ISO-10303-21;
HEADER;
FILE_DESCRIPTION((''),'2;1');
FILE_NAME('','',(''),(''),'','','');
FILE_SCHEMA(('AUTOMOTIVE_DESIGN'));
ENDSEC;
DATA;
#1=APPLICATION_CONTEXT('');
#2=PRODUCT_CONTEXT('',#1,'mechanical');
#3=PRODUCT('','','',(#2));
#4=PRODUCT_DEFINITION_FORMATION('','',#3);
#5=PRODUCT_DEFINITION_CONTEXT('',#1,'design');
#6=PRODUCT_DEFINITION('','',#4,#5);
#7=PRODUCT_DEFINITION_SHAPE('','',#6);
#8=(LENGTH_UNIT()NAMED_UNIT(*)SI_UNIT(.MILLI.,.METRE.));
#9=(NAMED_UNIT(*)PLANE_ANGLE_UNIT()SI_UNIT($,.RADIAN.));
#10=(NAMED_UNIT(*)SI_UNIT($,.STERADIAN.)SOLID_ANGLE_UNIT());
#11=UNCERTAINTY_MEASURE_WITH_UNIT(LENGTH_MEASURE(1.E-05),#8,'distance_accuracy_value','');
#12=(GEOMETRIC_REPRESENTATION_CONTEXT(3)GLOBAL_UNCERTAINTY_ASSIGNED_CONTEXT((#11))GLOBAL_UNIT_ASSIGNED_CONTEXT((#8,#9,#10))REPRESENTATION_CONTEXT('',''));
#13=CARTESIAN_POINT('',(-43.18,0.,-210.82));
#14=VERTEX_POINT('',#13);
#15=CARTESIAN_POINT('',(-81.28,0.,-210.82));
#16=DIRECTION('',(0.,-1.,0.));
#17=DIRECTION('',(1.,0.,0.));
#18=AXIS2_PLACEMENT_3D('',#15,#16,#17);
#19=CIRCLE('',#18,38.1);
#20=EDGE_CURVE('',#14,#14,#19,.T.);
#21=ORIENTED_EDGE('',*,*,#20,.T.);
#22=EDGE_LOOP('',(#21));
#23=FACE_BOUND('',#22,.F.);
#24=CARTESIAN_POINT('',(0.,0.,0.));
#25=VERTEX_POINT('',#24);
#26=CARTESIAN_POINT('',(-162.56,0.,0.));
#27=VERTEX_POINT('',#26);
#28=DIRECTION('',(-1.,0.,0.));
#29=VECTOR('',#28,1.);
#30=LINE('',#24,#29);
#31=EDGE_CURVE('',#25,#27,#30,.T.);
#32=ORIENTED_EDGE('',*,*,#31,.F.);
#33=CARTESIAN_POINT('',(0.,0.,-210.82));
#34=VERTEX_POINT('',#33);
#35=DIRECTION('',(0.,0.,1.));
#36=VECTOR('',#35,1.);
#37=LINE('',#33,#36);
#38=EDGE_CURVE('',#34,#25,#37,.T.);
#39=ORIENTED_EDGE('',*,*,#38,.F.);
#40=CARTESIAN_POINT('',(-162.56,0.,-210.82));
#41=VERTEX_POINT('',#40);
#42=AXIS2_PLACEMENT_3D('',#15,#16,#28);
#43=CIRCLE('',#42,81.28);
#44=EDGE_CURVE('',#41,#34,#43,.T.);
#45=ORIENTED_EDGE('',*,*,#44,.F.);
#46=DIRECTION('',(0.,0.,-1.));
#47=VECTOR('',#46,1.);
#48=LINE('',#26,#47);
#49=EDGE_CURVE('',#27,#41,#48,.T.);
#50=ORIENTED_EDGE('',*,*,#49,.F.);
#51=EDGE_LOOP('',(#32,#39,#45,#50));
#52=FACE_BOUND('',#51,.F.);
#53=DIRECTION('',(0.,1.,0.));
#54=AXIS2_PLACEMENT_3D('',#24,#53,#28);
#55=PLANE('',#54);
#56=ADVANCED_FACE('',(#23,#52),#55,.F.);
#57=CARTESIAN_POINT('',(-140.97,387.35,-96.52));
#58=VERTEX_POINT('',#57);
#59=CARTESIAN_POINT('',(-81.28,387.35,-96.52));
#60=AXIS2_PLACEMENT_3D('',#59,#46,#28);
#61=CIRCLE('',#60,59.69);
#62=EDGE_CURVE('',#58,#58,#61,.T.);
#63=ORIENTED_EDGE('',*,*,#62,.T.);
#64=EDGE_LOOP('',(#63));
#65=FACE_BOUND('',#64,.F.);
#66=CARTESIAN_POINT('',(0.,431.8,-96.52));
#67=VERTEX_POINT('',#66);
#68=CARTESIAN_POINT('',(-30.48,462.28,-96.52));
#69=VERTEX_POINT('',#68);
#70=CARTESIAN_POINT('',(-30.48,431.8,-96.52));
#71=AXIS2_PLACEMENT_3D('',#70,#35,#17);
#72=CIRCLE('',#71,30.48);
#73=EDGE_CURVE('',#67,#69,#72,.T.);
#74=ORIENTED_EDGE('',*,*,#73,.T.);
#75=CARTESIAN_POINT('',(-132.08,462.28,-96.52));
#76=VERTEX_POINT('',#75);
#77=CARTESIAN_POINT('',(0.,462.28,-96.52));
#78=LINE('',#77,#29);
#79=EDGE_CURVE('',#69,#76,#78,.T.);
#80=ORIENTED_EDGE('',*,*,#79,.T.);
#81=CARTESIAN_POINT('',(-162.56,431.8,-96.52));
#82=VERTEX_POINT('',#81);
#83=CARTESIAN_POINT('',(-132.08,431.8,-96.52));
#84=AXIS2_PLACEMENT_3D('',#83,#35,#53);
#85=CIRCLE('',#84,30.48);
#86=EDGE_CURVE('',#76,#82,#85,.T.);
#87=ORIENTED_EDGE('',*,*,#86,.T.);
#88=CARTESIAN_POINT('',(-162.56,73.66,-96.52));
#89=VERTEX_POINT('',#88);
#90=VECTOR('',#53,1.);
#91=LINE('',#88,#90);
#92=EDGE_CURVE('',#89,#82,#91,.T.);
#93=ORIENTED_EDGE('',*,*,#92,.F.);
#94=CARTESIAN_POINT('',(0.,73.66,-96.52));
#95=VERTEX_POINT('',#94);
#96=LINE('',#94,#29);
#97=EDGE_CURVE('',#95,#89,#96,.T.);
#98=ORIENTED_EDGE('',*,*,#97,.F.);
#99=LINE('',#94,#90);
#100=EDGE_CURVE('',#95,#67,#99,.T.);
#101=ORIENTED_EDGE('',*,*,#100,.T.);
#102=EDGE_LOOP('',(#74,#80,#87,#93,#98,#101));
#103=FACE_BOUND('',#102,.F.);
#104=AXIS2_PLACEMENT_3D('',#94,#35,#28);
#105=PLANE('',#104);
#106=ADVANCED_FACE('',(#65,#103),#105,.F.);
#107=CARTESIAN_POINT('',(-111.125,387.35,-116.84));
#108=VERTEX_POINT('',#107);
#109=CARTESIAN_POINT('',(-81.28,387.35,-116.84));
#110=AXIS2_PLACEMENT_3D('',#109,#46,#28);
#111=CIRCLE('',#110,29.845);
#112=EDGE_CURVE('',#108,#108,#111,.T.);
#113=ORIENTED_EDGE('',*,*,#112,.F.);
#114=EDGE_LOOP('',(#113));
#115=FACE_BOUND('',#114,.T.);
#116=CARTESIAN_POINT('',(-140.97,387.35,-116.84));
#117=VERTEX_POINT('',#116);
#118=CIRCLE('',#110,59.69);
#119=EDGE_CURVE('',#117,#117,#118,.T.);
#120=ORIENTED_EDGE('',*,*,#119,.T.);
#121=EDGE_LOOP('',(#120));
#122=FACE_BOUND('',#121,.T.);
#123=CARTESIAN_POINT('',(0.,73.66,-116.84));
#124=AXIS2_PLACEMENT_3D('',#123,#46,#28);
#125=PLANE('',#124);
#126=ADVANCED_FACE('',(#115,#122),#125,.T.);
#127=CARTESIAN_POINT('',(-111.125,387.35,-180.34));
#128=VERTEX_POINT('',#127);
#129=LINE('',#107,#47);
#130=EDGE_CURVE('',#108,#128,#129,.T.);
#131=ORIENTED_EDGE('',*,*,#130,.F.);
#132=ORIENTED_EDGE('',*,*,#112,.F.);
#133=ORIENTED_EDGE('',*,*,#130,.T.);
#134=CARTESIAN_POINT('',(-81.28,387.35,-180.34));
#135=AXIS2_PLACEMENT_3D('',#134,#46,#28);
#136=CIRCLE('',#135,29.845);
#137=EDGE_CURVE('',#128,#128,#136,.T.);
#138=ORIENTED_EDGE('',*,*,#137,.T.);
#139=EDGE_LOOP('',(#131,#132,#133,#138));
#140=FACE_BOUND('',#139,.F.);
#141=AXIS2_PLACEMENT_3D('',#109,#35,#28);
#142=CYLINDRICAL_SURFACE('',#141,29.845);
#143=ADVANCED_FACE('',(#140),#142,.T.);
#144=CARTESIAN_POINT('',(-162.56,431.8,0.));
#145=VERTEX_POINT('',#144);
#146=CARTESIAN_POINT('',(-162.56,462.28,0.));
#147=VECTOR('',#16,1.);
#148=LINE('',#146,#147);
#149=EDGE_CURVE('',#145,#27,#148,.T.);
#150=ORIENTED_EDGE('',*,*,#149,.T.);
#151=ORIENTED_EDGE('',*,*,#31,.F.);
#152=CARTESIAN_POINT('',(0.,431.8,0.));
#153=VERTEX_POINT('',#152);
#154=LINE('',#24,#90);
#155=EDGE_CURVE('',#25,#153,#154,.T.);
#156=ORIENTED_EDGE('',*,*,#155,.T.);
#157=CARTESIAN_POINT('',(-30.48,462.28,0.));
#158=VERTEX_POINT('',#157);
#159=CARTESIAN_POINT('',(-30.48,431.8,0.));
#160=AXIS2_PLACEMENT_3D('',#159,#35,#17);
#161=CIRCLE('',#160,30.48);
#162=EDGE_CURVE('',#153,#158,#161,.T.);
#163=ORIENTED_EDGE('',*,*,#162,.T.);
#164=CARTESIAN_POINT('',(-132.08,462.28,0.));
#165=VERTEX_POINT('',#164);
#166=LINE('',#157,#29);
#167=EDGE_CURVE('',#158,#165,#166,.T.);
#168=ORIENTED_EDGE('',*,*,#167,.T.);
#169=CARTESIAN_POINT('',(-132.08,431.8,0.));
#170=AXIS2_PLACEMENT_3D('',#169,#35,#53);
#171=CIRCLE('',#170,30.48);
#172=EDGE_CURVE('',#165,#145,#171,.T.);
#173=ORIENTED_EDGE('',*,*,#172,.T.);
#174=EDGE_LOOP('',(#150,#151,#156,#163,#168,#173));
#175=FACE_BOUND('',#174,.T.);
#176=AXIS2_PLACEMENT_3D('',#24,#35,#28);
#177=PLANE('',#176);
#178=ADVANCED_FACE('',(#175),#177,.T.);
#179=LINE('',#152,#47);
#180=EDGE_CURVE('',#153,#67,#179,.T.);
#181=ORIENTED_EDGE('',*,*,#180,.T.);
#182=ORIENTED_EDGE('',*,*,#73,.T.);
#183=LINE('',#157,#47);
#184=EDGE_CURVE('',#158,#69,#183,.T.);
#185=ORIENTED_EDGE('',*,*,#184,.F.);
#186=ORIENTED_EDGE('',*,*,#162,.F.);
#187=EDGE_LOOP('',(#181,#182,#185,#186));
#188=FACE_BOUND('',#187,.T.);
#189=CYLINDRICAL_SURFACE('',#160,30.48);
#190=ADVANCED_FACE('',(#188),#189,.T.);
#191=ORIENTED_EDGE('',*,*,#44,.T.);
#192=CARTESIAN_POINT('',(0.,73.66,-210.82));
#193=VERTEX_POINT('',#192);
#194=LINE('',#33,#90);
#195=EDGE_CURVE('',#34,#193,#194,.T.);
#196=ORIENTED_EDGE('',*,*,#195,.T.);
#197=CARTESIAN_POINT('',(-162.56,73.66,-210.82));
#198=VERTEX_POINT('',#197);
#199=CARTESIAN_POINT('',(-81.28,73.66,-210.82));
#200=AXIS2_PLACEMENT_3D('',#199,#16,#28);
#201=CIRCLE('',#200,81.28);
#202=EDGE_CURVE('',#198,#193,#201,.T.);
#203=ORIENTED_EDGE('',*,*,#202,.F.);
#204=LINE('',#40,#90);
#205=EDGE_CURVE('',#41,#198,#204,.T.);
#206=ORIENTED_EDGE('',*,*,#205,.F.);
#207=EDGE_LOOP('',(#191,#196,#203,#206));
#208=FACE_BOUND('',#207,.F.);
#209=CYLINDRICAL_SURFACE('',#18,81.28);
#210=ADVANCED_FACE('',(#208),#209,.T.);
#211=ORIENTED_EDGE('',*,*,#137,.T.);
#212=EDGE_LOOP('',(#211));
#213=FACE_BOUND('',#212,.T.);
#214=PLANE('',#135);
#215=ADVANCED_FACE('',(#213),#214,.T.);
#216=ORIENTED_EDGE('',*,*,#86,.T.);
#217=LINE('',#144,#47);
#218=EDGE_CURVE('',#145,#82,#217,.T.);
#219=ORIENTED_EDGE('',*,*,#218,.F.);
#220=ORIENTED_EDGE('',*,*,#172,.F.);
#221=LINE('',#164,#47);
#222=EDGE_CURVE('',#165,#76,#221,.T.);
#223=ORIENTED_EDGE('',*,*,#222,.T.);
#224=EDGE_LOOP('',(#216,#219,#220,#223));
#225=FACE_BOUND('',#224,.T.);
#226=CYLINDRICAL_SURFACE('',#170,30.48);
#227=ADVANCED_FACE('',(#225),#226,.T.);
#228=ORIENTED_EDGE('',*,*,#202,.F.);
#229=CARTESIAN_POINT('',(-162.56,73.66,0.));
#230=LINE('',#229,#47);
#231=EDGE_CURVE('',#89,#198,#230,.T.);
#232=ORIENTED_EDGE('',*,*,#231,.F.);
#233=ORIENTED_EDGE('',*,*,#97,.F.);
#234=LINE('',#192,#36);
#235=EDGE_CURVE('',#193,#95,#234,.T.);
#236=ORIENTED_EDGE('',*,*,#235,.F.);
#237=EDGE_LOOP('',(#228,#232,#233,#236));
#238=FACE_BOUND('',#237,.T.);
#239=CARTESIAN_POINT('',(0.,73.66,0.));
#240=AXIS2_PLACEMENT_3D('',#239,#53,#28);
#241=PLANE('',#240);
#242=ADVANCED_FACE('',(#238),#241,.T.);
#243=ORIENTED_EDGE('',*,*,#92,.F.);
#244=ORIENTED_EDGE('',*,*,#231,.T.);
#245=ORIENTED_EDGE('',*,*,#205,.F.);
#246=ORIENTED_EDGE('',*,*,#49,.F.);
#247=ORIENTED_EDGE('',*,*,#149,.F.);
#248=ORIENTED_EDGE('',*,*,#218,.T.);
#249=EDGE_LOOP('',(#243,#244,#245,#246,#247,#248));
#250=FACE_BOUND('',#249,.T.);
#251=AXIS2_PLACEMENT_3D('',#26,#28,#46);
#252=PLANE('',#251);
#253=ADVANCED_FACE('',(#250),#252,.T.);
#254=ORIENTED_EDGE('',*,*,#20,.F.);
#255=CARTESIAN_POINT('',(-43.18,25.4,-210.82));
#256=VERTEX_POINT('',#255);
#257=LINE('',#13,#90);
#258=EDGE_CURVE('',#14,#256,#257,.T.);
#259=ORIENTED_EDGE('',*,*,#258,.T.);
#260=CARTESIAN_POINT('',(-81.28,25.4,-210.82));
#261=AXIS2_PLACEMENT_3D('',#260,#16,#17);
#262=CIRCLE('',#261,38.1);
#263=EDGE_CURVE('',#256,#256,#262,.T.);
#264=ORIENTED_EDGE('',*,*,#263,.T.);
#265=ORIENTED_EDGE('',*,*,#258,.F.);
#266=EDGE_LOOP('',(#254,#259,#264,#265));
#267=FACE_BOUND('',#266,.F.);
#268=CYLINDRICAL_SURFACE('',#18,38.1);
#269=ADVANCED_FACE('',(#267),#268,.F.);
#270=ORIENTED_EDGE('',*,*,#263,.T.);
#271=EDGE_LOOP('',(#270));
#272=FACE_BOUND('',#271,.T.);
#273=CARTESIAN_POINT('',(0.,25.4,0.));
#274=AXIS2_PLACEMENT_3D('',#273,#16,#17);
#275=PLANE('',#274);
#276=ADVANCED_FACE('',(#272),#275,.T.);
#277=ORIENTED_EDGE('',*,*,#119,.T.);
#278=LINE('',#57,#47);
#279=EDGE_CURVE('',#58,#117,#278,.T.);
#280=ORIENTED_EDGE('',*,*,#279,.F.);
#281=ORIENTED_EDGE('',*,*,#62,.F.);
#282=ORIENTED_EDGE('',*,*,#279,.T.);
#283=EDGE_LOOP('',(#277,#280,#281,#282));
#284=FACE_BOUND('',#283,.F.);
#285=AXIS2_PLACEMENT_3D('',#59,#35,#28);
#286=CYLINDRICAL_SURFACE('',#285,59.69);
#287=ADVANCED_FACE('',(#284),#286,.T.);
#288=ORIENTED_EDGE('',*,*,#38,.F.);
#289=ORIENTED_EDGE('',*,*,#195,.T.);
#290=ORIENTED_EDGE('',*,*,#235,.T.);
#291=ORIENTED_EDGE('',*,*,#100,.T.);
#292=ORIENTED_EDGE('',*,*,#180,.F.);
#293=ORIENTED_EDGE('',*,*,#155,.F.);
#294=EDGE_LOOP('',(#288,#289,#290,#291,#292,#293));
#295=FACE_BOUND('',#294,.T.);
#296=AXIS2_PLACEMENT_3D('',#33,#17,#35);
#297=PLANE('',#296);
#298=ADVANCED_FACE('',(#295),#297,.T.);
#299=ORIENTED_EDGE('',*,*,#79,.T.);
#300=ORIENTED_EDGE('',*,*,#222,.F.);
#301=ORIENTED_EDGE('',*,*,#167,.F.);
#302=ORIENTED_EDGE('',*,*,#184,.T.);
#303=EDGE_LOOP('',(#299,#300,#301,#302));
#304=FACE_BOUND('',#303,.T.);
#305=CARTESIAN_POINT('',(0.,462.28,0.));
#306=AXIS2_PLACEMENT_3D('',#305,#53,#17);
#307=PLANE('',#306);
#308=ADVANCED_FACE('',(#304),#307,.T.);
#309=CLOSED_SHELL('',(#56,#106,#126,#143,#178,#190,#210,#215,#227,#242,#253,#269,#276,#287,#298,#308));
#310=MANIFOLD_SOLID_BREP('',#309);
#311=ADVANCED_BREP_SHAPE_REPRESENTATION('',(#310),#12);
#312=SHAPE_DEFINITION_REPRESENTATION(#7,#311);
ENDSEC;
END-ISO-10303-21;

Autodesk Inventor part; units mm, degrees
ref_plane "YZ Plane" through (0, 0, 0) normal (1, 0, 0) x (0, 1, 0)
ref_plane "XZ Plane" through (0, 0, 0) normal (0, 1, 0) x (-1, 0, 0)
ref_plane "XY Plane" through (0, 0, 0) normal (0, 0, 1) x (1, 0, 0)
sketch "Sketch1" plane through (0, 0, 0) normal (0, 1, 0) x (-1, 0, 0)
  line L0 (0, 0) -> (162.56, 0)
  line L1 (162.56, 0) -> (162.56, -210.82)
  line L2 (81.28, -292.1) -> (81.28, -292.1)
  line L3 (0, -210.82) -> (0, 0)
  arc A0 (81.28, -292.1) -> (162.56, -210.82) centre (81.28, -210.82) ccw
  arc A1 (0, -210.82) -> (81.28, -292.1) centre (81.28, -210.82) ccw
  point P0 (162.56, -292.1)
  point P1 (0, -292.1)
  dimension "d0" = 292.1
  dimension "d1" = 162.56
  dimension "d2" = 81.28
extrude "Extrusion1" add sketch "Sketch1" along normal blind 73.66
sketch "Sketch2" plane through (0, 73.66, 0) normal (0, 1, 0) x (1, 0, 0)
  line L0 (-162.56, 0) -> (0, 0) projected
  line L1 (0, 0) -> (0, 210.82) projected
  line L2 (-162.56, 0) -> (0, 0)
  line L3 (0, 0) -> (0, 96.52)
  line L4 (0, 96.52) -> (-162.56, 96.52)
  line L5 (-162.56, 96.52) -> (-162.56, 0)
  dimension "d23" = 114.3
extrude "Extrusion2" add sketch "Sketch2" along normal blind 388.62
sketch "Sketch3" plane through (-162.56, 0, 0) normal (0, 0, 1) x (1, 0, 0)
  line L0 (162.56, 0) -> (0, 0) projected
  line L1 (162.56, 0) -> (162.56, 462.28) projected
  line L2 (0, 0) -> (162.56, 0)
  line L3 (162.56, 0) -> (162.56, 431.8)
  line L4 (132.08, 462.28) -> (30.48, 462.28)
  line L5 (0, 431.8) -> (0, 0)
  arc A0 (30.48, 462.28) -> (0, 431.8) centre (30.48, 431.8) ccw
  arc A1 (162.56, 431.8) -> (132.08, 462.28) centre (132.08, 431.8) ccw
  dimension "d8" = 30.48
extrude "Extrusion3" cut sketch "Sketch3" against normal blind 508 keep common part
sketch "Sketch4" plane through (0, 73.66, -96.52) normal (0, 0, -1) x (-1, 0, 0)
  line L0 (132.08, 388.62) -> (30.48, 388.62) projected
  circle A0 centre (81.28, 313.69) radius 59.69
  line L1 (0, -73.66) -> (162.56, -73.66) projected
  dimension "d12" = 119.38
  dimension "d22" = 387.35
extrude "Extrusion4" add sketch "Sketch4" along normal blind 20.32
sketch "Sketch5" plane through (-81.28, 387.35, -116.84) normal (0, 0, -1) x (-1, 0, 0)
  circle A0 centre (0, 0) radius 29.845
  point P0 (-81.28, -387.35)
  dimension "d15" = 59.69
extrude "Extrusion5" add sketch "Sketch5" along normal blind 63.5
sketch "Sketch6" plane through (0, 0, 0) normal (0, -1, 0) x (1, 0, 0)
  arc A0 (-162.56, -210.82) -> (0, -210.82) centre (-81.28, -210.82) ccw projected
  circle A1 centre (-81.28, -210.82) radius 38.1
  point P0 (0, 0)
  dimension "d18" = 76.2
extrude "Extrusion6" cut sketch "Sketch6" against normal blind 25.4
properties part number "Waist Link-lrg"
